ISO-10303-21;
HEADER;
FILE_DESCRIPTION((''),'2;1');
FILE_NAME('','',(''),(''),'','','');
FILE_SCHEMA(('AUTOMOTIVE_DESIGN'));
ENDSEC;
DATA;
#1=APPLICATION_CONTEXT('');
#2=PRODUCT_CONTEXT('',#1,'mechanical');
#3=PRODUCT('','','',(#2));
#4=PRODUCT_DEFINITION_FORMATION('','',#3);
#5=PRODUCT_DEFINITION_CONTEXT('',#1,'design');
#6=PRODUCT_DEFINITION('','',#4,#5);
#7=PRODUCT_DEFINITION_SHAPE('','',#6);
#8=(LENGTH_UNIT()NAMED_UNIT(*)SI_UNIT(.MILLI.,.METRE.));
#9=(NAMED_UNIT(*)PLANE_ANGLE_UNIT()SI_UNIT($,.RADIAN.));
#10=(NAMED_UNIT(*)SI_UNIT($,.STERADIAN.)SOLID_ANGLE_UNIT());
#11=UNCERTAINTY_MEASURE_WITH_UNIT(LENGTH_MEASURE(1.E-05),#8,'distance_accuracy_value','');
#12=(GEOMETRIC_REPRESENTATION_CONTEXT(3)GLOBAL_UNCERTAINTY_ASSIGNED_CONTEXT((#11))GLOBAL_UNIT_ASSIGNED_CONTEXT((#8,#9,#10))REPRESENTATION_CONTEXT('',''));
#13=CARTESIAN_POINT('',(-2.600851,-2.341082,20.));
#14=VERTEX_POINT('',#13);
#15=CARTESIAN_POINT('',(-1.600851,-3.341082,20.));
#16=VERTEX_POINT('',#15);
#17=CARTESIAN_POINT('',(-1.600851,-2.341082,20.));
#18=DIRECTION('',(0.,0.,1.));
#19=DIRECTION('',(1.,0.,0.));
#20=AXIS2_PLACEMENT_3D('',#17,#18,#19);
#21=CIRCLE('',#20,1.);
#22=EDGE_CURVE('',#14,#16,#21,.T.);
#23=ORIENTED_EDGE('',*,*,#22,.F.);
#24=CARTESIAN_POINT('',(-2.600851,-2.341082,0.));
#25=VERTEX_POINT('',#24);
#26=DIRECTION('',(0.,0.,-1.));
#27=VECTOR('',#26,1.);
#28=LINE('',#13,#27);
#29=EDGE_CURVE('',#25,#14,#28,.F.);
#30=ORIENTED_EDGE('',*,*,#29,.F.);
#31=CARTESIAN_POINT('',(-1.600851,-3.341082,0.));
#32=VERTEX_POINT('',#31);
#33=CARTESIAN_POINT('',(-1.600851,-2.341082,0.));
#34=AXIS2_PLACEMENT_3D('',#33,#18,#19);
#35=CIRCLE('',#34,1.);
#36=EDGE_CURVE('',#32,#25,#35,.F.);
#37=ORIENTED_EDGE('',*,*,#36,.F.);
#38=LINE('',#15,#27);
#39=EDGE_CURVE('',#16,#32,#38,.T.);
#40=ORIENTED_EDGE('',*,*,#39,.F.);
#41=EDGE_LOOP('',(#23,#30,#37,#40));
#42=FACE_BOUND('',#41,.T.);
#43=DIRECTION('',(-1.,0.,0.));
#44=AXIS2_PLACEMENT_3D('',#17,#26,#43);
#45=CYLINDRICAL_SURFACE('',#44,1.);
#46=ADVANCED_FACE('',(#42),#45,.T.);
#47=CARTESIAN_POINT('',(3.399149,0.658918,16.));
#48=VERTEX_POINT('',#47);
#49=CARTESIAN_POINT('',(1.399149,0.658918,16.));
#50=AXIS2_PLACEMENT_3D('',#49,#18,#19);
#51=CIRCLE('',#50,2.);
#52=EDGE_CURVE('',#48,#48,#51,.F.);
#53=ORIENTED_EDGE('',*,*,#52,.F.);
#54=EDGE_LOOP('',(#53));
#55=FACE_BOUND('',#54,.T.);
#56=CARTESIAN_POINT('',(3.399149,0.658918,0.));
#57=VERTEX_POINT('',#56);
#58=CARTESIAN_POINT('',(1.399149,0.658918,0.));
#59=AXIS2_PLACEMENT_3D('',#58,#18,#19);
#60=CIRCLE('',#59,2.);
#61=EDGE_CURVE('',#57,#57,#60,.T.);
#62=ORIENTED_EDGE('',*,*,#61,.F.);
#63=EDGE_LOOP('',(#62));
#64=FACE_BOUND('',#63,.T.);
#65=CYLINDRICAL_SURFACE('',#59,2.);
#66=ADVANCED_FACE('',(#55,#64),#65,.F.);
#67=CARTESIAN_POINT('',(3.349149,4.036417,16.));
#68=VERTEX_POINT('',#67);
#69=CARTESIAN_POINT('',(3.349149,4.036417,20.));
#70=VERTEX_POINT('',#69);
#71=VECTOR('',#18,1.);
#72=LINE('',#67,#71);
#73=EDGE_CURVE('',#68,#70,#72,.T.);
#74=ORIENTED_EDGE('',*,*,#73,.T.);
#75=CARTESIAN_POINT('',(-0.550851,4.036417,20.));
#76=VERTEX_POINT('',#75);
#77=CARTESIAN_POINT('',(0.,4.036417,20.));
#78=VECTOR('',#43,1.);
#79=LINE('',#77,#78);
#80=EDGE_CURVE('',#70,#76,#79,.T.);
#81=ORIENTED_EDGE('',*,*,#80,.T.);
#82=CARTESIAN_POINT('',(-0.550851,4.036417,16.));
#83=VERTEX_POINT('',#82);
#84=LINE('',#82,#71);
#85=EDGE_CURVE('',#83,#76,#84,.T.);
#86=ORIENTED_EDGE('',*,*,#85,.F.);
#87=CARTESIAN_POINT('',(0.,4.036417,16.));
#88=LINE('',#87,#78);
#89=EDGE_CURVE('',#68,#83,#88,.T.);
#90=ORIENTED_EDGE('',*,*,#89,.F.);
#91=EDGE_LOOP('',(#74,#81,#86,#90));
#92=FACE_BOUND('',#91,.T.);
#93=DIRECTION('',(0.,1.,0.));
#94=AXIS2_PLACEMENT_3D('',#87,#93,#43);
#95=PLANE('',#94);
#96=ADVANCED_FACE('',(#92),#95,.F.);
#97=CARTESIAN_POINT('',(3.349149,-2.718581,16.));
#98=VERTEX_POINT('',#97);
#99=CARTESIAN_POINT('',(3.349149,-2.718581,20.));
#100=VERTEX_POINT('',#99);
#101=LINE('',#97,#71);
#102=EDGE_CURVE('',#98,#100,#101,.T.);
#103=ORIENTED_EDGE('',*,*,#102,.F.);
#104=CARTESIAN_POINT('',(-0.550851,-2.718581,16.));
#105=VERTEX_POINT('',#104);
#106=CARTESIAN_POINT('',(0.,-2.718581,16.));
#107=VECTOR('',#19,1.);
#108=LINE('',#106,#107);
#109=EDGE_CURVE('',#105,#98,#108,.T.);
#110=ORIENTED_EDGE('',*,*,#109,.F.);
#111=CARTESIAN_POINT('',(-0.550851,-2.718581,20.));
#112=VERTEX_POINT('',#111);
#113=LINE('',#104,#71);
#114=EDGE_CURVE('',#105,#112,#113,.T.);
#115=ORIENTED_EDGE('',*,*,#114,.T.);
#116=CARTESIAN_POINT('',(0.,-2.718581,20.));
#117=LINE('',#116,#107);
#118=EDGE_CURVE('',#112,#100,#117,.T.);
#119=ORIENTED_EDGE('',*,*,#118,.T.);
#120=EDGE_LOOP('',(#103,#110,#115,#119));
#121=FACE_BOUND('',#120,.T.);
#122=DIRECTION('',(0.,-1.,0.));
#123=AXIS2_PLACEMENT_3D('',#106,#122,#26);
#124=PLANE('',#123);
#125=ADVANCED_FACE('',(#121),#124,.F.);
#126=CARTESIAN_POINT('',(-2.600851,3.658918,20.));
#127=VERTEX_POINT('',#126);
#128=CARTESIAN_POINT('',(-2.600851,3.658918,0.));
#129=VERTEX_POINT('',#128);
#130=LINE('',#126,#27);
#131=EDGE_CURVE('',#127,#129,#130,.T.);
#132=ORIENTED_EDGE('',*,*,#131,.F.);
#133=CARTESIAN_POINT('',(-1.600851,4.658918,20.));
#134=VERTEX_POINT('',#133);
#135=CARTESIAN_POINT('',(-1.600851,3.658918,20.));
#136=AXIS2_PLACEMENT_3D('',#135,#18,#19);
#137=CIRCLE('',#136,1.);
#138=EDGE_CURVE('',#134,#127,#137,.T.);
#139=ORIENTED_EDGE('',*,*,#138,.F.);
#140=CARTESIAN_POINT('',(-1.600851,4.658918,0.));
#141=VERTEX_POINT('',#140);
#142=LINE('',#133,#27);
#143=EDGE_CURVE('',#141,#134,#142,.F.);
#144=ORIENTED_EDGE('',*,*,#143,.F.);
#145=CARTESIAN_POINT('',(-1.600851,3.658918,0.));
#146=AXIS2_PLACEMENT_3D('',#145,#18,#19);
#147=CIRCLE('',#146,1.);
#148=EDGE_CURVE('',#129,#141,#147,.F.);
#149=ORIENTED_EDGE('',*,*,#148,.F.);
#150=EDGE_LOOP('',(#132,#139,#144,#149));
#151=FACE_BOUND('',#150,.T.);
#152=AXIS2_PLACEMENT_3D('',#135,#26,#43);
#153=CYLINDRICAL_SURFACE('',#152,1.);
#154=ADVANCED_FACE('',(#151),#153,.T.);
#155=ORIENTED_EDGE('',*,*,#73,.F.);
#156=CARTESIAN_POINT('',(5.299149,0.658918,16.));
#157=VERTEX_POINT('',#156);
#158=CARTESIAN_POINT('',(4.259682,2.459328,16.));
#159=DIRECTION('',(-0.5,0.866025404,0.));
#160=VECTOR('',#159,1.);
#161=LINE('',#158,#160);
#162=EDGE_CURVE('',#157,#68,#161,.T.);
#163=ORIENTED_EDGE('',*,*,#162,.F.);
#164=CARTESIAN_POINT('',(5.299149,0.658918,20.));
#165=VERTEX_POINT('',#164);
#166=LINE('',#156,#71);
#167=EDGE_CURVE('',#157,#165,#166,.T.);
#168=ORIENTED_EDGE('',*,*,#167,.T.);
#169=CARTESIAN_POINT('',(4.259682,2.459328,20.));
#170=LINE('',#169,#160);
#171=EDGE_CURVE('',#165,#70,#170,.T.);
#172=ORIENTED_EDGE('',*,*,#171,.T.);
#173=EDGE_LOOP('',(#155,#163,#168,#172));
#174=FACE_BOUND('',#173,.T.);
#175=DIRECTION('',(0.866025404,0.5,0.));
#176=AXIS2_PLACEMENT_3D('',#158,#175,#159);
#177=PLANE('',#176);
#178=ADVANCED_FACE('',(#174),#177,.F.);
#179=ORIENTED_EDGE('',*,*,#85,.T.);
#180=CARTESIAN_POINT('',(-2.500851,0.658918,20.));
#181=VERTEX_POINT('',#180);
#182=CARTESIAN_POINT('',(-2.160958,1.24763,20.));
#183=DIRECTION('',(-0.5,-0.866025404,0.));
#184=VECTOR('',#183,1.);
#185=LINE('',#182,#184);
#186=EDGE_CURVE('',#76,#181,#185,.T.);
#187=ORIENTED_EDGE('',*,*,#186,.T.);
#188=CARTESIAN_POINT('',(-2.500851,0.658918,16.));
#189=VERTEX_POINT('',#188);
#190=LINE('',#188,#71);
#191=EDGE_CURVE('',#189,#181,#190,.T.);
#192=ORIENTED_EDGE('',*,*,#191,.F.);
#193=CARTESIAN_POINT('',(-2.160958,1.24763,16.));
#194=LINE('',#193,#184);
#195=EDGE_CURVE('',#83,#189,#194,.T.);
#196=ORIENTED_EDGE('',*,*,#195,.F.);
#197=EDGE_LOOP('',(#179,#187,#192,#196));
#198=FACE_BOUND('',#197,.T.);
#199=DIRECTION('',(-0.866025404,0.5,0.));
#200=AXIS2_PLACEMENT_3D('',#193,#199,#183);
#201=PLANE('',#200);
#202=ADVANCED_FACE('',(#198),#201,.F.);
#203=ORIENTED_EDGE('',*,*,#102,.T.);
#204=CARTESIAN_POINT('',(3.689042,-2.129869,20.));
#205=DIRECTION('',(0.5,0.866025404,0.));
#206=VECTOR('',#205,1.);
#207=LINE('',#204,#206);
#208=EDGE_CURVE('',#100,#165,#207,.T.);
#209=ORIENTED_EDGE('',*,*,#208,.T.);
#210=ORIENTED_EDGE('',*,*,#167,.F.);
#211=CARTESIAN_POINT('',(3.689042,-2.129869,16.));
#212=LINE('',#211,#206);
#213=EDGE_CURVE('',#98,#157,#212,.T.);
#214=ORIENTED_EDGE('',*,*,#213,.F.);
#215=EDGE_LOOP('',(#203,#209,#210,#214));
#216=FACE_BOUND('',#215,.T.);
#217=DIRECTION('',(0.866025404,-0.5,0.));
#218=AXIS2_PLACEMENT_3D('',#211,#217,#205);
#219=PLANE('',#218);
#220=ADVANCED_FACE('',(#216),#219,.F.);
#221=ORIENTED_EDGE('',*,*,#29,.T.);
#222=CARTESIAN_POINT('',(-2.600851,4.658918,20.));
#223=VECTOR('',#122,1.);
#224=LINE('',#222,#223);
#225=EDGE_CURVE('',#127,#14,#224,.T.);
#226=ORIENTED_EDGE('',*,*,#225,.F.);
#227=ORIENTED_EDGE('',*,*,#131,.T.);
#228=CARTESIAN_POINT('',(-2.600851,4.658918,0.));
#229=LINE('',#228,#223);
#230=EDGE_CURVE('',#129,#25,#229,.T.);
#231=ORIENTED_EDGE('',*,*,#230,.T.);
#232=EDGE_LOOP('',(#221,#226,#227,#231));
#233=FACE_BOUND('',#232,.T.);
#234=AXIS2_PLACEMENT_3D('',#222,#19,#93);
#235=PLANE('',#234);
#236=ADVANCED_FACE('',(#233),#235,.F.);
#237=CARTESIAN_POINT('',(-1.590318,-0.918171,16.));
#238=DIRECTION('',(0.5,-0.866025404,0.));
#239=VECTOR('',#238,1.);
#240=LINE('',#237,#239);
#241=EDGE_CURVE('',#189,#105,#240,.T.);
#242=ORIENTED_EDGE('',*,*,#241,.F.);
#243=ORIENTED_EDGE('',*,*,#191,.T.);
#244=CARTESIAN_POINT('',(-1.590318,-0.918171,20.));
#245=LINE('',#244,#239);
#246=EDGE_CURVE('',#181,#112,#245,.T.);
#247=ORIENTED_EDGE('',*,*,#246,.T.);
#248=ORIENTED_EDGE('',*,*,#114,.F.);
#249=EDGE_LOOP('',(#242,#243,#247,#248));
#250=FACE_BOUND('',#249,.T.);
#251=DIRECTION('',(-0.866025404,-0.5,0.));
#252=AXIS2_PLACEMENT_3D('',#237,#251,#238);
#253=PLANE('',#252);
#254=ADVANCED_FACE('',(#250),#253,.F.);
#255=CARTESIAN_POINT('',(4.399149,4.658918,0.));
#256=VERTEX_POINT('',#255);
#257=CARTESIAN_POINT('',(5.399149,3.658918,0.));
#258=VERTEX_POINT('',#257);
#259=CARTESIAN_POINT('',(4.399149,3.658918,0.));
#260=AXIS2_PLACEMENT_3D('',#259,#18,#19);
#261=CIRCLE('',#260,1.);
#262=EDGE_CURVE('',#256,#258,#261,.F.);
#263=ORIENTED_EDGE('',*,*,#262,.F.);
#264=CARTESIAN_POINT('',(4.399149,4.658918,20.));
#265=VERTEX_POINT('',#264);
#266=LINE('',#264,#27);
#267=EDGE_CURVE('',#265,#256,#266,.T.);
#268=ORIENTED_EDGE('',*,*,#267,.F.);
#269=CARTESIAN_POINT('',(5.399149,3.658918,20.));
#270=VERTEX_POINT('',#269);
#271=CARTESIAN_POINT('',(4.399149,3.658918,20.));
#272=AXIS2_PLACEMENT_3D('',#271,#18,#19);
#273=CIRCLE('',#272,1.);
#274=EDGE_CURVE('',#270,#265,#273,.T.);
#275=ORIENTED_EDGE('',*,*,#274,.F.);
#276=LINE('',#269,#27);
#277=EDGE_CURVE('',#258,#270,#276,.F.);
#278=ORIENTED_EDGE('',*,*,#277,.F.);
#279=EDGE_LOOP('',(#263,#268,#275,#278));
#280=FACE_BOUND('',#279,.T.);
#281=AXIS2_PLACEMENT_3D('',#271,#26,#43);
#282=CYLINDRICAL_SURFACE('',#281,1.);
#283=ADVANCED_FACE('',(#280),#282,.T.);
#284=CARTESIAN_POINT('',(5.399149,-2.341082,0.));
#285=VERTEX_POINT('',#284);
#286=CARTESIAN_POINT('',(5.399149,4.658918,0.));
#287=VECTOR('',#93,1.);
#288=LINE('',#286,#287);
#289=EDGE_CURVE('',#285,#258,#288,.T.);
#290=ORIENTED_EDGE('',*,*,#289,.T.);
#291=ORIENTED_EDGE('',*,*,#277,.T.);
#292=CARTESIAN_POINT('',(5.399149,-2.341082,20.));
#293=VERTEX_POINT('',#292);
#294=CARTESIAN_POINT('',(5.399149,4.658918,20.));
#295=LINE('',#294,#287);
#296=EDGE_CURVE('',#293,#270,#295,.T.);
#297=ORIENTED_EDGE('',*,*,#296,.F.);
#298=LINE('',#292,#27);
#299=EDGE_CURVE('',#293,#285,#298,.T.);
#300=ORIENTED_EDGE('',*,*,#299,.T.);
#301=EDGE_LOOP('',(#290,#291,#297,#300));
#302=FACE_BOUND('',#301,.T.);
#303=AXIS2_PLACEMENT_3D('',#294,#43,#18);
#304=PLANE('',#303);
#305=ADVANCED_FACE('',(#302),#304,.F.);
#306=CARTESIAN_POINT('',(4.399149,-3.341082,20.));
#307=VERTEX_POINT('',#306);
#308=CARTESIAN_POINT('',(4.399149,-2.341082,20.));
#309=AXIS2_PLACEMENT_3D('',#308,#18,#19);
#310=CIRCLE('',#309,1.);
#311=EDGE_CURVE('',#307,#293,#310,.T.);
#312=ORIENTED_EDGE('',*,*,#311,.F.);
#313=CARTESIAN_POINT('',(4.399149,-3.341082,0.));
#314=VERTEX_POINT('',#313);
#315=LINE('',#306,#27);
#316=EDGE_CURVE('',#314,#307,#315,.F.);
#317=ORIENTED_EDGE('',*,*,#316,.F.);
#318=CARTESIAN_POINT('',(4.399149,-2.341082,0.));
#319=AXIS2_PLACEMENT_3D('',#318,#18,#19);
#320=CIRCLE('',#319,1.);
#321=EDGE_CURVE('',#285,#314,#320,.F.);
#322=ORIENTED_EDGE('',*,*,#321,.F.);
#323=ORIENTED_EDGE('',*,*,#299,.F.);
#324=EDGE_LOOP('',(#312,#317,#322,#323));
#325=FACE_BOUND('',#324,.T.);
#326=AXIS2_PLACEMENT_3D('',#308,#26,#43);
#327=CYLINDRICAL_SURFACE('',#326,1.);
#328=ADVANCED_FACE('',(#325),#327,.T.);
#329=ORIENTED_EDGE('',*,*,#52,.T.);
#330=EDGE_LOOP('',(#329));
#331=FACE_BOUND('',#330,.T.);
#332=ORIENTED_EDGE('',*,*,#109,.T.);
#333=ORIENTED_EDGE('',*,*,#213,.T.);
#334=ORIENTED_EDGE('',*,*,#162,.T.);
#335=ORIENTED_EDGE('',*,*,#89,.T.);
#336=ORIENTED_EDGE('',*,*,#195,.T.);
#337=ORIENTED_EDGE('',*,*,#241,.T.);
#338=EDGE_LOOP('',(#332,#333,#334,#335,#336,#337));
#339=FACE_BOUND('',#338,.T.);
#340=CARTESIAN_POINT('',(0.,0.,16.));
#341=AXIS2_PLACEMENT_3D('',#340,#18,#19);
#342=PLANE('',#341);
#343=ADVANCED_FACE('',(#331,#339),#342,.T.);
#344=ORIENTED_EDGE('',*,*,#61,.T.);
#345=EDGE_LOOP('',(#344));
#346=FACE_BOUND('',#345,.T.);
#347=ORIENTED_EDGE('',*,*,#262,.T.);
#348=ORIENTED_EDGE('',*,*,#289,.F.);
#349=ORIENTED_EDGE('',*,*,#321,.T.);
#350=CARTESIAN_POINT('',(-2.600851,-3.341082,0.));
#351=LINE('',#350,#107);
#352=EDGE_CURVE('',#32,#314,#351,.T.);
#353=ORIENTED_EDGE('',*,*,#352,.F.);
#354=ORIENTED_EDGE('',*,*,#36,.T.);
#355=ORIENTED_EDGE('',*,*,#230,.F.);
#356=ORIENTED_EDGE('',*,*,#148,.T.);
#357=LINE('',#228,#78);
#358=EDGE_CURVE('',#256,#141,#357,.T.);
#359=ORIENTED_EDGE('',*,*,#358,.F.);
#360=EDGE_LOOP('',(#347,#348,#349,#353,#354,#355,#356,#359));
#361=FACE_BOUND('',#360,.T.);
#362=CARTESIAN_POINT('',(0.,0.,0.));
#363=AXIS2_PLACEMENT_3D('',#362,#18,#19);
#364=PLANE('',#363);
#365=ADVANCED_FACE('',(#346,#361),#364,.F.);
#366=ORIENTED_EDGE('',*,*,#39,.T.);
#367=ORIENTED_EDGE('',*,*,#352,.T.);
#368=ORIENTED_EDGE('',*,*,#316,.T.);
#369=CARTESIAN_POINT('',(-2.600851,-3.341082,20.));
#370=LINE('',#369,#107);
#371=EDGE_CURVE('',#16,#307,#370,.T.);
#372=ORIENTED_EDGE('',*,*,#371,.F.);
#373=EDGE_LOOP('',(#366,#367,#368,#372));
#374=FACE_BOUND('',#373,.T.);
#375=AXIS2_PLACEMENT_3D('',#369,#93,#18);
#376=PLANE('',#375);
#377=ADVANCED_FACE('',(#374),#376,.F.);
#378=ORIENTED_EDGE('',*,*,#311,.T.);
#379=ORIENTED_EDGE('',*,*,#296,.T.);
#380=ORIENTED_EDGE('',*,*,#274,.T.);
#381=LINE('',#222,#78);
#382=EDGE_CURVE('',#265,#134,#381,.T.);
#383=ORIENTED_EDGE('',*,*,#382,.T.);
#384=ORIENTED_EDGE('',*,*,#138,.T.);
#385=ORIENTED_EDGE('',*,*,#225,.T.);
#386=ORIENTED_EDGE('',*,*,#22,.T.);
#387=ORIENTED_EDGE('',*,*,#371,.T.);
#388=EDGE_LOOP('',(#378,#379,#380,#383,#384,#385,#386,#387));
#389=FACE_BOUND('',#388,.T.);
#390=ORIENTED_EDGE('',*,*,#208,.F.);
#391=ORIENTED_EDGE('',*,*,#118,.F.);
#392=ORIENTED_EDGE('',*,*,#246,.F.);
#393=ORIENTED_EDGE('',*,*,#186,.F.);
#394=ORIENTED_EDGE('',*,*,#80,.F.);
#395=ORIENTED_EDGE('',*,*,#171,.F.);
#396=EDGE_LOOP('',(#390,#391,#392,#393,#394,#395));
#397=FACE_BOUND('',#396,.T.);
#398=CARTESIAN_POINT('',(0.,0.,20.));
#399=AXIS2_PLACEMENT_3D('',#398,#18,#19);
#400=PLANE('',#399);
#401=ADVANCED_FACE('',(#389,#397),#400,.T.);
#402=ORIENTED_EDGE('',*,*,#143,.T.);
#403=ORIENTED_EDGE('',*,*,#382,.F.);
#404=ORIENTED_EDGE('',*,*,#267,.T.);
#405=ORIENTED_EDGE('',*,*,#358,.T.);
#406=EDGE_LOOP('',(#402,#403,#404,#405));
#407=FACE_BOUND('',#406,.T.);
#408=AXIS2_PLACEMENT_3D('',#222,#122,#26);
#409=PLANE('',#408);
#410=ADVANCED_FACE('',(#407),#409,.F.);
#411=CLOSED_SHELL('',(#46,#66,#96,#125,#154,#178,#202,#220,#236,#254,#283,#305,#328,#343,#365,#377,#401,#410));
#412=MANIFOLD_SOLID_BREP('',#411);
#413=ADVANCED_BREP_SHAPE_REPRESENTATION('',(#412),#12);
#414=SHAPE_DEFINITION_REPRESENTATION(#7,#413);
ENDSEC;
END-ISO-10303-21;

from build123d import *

# Parameters (mm, degrees)
SKETCH1_W           = 8
SKETCH1_H           = 8
BOSS_EXTRUDE1_DEPTH = 20
CUT_EXTRUDE1_DEPTH  = 20
CUT_EXTRUDE8_DEPTH  = 4
FILLET1_R           = 1
FILLET2_R           = 1


with BuildPart() as part:
    # Sketch1 → Boss-Extrude1 (new body)
    with BuildSketch(Plane.XY):
        with Locations((1.399149149, 0.658917954)):
            Rectangle(SKETCH1_W, SKETCH1_H)
    extrude(amount=BOSS_EXTRUDE1_DEPTH)

    # Sketch4 → Cut-Extrude1 (cut)
    with BuildSketch(Plane.XY.offset(20)):
        with BuildLine():
            ThreePointArc((3.399149149, 0.658917954), (2.164516014, 2.506677019), (-0.015064413, 2.073131517))
            Line((-0.015064413, 2.073131517), (2.813362712, -0.755295608))
            ThreePointArc((2.813362712, -0.755295608), (3.246908214, -0.10644891), (3.399149149, 0.658917954))
        make_face()
        with BuildLine():
            Line((2.813362712, -0.755295608), (-0.015064413, 2.073131517))
            ThreePointArc((-0.015064413, 2.073131517), (-0.015064413, -0.755295608), (2.813362712, -0.755295608))
        make_face()
    extrude(amount=-CUT_EXTRUDE1_DEPTH, mode=Mode.SUBTRACT)

    # Sketch5 → Cut-Extrude8 (cut)
    with BuildSketch(Plane.XY.offset(20)):
        Polygon((-2.500850851, 0.658917954), (-0.550850851, -2.71858112), (3.349149149, -2.71858112), (5.299149149, 0.658917954), (3.349149149, 4.036417029), (-0.550850851, 4.036417029), align=None)
    extrude(amount=-CUT_EXTRUDE8_DEPTH, mode=Mode.SUBTRACT)

    # Fillet1
    fillet1_edges = [part.edges().sort_by_distance(p)[0] for p in [
        (-2.600850851, 4.658917954, 10),
        (5.399149149, 4.658917954, 10),
        (5.399149149, -3.341082046, 10),
    ]]
    fillet(fillet1_edges, radius=FILLET1_R)

    # Fillet2
    fillet2_edges = [part.edges().sort_by_distance(p)[0] for p in [
        (-2.600850851, -3.341082046, 10),
    ]]
    fillet(fillet2_edges, radius=FILLET2_R)


solid = part.part
